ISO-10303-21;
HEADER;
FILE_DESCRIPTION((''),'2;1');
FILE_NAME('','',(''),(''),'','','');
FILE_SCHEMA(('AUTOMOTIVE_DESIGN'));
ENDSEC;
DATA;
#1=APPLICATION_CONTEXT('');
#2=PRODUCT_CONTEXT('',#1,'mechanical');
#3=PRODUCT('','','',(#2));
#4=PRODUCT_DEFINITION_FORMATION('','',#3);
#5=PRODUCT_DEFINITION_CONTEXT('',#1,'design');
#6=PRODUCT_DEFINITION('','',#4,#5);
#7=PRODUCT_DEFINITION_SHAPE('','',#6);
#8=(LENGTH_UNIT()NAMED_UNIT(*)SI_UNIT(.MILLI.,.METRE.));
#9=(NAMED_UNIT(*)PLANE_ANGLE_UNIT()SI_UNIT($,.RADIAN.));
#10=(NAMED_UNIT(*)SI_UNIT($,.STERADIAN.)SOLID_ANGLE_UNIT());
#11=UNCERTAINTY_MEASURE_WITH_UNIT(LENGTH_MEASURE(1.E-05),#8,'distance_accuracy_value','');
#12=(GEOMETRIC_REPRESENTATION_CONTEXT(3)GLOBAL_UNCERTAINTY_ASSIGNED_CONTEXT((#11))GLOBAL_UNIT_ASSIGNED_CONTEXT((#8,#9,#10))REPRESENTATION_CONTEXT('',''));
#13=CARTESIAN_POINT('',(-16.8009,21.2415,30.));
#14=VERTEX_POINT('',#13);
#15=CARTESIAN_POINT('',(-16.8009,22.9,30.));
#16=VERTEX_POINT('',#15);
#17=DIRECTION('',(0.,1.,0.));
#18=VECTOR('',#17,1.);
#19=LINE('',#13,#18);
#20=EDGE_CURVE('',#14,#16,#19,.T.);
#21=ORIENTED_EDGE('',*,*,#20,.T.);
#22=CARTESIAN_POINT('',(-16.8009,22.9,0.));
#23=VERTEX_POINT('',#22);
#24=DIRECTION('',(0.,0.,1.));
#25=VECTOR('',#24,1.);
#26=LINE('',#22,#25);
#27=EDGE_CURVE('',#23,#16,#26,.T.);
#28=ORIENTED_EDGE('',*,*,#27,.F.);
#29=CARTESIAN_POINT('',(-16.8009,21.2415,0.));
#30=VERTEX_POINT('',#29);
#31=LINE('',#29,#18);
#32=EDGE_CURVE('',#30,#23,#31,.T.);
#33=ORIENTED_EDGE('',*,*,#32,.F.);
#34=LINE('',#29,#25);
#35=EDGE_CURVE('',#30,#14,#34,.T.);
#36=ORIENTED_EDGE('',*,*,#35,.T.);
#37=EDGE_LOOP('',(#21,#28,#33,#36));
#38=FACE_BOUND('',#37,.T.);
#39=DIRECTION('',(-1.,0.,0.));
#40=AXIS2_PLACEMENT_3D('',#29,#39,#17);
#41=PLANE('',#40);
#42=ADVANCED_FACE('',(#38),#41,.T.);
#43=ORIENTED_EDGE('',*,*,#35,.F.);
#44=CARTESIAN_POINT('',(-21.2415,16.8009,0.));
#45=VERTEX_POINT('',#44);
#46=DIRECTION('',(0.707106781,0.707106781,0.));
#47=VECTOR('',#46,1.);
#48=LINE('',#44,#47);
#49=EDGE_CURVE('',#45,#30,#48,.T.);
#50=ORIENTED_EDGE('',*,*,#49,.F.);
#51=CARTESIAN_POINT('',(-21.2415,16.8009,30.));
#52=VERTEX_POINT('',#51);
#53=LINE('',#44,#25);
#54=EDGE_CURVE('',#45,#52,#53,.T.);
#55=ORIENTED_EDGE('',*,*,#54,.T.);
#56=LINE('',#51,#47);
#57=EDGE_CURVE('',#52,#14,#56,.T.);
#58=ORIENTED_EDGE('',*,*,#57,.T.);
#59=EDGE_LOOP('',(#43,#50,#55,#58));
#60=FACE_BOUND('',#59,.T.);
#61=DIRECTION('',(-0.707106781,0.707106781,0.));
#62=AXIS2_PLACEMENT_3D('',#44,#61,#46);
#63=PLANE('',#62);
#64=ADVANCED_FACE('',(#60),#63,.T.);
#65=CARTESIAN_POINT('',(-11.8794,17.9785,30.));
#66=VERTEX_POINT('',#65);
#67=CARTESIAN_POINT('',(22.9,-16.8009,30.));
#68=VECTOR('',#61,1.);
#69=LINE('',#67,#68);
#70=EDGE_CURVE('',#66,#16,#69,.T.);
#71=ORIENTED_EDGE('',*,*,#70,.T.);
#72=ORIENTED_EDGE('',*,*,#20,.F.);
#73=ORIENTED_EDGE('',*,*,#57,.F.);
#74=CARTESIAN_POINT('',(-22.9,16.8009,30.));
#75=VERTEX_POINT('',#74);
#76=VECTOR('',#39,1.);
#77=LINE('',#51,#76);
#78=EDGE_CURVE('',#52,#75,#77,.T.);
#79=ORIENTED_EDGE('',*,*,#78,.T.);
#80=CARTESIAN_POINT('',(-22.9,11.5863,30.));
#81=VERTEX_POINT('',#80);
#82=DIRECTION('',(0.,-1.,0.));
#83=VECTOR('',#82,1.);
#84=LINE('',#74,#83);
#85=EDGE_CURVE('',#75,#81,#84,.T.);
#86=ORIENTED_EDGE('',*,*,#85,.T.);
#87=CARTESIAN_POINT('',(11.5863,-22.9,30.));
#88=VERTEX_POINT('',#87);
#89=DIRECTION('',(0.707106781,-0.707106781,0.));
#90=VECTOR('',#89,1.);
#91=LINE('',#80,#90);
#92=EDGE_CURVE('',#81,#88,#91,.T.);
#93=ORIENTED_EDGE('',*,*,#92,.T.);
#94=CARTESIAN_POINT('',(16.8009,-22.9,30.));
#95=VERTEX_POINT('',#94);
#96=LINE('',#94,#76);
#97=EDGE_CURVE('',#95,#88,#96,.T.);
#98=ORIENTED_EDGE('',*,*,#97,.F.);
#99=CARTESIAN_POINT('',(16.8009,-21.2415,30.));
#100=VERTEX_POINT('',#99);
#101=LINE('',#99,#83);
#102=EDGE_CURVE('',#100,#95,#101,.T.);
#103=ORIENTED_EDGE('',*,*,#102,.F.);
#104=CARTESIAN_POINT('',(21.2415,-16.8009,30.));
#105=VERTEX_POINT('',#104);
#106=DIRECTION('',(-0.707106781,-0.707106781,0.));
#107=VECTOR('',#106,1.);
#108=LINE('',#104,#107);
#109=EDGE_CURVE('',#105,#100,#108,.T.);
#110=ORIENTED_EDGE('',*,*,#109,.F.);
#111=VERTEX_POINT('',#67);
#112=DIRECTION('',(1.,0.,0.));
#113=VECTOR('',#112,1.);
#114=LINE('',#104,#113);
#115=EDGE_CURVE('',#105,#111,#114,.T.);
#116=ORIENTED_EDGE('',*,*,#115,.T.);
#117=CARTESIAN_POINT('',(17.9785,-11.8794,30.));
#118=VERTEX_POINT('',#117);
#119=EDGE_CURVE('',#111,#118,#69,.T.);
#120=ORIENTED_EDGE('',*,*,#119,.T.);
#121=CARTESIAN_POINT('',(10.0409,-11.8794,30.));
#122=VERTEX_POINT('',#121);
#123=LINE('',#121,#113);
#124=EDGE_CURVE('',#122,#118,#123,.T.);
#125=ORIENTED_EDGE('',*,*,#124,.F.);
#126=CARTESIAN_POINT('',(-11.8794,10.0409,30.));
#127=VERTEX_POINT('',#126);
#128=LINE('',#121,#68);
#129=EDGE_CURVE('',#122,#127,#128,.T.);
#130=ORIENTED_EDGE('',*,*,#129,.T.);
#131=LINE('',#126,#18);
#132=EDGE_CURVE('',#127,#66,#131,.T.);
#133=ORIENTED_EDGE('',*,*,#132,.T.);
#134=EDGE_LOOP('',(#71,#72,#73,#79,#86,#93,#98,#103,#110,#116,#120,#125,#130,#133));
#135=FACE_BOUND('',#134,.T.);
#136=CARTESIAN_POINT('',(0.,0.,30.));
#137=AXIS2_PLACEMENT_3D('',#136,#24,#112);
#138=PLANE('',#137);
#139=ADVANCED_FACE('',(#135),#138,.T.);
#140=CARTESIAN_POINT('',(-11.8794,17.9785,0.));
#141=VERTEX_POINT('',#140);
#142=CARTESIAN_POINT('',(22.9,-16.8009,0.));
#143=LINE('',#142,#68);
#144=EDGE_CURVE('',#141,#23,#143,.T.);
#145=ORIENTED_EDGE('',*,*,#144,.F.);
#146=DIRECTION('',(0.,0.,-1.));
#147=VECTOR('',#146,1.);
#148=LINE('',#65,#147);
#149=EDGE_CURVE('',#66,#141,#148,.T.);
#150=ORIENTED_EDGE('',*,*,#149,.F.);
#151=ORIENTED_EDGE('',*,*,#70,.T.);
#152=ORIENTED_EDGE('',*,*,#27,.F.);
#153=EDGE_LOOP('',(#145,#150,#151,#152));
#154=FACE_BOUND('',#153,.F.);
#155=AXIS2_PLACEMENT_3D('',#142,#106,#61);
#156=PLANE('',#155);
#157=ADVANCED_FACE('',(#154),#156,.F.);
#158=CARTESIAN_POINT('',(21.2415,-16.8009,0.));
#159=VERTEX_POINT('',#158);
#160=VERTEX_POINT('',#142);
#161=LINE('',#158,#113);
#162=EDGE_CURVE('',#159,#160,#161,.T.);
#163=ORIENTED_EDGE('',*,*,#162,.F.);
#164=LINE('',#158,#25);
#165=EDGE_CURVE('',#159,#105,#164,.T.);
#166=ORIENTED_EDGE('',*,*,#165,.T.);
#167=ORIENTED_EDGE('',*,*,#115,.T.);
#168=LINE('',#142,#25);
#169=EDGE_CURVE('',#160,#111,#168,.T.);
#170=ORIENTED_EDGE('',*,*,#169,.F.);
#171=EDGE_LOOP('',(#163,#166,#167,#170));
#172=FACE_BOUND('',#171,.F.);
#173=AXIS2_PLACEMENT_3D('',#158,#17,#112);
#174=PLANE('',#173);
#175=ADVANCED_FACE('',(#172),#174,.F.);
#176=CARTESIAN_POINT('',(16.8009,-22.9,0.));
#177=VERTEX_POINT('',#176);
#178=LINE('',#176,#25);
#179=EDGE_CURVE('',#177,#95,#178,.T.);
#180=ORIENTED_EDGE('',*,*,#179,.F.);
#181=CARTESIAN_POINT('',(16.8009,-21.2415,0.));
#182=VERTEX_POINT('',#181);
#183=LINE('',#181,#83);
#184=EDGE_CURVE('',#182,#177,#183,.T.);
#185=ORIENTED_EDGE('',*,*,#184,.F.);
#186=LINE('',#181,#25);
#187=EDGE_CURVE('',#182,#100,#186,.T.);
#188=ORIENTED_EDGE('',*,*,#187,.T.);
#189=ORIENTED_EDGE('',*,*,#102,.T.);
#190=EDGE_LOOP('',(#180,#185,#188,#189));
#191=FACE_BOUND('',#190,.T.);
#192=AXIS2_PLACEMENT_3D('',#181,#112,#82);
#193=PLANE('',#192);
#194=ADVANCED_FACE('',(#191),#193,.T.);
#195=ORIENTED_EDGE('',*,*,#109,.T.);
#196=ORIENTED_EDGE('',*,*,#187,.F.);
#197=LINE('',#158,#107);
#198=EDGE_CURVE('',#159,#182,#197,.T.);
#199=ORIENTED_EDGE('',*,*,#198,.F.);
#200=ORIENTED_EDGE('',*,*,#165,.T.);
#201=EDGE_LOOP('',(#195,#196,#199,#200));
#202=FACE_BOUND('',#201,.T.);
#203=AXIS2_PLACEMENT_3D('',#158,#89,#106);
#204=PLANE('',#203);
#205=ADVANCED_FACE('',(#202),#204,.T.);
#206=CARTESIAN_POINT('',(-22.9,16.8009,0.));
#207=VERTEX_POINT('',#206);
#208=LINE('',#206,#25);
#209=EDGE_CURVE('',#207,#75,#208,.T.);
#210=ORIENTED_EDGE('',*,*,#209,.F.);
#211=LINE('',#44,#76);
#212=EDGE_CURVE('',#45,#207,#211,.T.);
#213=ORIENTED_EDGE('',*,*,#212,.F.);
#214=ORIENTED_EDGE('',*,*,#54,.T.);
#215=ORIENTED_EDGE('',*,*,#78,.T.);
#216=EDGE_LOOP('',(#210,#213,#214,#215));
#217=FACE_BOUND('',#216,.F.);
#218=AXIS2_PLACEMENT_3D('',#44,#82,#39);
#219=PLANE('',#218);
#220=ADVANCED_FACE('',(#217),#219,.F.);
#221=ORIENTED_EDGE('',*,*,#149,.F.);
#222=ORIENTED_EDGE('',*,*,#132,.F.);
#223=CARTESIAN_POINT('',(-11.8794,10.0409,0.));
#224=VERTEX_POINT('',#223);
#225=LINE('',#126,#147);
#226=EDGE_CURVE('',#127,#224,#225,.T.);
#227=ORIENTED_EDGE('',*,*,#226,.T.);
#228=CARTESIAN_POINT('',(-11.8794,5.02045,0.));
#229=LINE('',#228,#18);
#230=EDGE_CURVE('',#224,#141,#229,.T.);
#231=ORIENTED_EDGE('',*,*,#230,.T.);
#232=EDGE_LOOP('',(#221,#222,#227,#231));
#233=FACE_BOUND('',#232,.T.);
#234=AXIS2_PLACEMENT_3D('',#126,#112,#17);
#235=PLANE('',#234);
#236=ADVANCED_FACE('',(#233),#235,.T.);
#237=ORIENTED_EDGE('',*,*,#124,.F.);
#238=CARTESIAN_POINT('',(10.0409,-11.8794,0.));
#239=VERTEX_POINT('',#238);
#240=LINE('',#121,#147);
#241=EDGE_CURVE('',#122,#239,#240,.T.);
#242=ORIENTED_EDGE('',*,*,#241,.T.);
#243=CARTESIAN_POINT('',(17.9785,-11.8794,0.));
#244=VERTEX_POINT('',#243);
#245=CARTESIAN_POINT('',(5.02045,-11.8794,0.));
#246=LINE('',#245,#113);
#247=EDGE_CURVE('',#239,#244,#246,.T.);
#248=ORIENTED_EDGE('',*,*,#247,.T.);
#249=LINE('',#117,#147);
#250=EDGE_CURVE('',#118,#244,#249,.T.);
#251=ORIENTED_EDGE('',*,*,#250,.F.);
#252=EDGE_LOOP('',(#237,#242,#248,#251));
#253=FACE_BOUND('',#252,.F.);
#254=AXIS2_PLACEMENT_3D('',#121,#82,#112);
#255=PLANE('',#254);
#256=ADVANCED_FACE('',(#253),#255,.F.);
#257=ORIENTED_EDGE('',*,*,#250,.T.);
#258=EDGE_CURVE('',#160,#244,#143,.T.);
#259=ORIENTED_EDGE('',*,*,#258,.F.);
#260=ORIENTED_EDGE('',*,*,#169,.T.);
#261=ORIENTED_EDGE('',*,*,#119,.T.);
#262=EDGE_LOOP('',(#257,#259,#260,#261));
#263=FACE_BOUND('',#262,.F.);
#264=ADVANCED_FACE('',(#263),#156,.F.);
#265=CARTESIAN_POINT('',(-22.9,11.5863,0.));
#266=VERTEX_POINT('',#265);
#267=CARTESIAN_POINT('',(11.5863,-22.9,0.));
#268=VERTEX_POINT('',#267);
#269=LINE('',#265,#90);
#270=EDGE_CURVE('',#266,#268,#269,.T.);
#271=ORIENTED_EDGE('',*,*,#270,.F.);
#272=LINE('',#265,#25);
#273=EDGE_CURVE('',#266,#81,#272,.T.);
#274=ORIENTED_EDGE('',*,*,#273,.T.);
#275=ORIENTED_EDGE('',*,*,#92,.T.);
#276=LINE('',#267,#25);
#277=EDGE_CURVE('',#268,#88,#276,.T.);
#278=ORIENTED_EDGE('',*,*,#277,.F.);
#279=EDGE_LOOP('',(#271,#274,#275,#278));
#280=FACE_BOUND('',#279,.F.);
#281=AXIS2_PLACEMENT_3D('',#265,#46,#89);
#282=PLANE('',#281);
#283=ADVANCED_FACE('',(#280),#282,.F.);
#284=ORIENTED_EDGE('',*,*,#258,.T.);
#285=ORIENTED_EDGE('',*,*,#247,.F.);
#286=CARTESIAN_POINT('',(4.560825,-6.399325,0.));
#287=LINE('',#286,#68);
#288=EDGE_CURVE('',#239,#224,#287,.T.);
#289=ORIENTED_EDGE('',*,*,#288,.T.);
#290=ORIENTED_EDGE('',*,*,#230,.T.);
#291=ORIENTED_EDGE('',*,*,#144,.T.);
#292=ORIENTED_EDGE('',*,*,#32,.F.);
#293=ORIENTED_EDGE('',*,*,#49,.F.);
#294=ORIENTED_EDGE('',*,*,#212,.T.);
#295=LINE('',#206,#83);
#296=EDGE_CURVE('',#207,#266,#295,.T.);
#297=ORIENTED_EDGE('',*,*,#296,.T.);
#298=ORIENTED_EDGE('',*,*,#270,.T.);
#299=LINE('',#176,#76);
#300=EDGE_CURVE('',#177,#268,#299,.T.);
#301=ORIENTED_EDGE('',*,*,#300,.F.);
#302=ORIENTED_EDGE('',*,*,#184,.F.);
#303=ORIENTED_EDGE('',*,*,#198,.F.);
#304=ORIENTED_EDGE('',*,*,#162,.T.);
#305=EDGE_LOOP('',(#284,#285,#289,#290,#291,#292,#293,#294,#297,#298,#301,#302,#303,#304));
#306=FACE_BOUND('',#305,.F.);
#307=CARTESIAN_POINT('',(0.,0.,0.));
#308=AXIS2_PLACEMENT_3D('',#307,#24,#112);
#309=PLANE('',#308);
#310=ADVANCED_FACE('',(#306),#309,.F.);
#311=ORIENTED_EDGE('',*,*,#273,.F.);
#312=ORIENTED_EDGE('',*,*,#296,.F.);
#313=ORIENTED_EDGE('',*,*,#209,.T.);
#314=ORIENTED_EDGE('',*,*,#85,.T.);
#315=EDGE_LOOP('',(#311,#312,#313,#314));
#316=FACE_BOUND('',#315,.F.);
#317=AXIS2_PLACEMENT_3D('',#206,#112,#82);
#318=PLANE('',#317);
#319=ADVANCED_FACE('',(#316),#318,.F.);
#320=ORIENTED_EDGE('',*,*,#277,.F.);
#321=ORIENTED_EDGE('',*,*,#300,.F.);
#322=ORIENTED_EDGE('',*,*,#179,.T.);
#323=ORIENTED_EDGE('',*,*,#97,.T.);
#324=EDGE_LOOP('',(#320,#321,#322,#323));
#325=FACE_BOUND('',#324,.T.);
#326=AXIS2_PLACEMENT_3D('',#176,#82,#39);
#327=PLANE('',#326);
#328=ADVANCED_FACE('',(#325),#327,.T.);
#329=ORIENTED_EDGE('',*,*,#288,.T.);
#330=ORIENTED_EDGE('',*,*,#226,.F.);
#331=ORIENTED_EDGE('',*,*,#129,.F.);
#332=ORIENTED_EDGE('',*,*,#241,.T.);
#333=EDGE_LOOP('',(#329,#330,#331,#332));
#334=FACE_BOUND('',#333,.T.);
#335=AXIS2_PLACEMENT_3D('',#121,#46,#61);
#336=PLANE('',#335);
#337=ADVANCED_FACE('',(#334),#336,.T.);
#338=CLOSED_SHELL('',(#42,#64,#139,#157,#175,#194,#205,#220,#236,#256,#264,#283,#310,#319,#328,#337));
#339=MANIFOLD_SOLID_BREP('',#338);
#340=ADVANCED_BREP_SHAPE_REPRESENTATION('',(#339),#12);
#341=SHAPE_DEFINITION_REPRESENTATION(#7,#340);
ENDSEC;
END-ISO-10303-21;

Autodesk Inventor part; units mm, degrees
ref_plane "YZ Plane" through (0, 0, 0) normal (1, 0, 0) x (0, 1, 0)
ref_plane "XZ Plane" through (0, 0, 0) normal (0, 1, 0) x (-1, 0, 0)
ref_plane "XY Plane" through (0, 0, 0) normal (0, 0, 1) x (1, 0, 0)
sketch "Sketch1" plane through (0, 0, 0) normal (0, 0, 1) x (1, 0, 0)
  line L0 (-16.9, 21.4) -> (-16.9, 16.9) construction
  arc A0 (-22.9, 19.9) -> (-19.9, 22.9) centre (-19.9, 19.9) ccw construction
  line L1 (-16.9, 16.9) -> (16.9, 16.9) construction
  line L2 (16.9, 16.9) -> (16.9, -16.9) construction
  line L3 (16.9, -16.9) -> (-16.9, -16.9) construction
  line L4 (-16.9, -16.9) -> (-16.9, 16.9) construction
  arc A1 (22.9, -19.9) -> (19.9, -22.9) centre (19.9, -19.9) ccw construction
  line L5 (22.9, 19.9) -> (22.9, -19.9) construction
  arc A2 (19.9, 22.9) -> (22.9, 19.9) centre (19.9, 19.9) ccw construction
  line L6 (-19.9, 22.9) -> (19.9, 22.9) construction
  arc A3 (-22.9, 19.9) -> (-19.9, 22.9) centre (-19.9, 19.9) ccw construction
  line L7 (-22.9, -19.9) -> (-22.9, 19.9) construction
  arc A4 (-19.9, -22.9) -> (-22.9, -19.9) centre (-19.9, -19.9) ccw construction
  line L8 (19.9, -22.9) -> (-19.9, -22.9) construction
  line L9 (-21.4, 16.9) -> (-16.9, 16.9) construction
  line L10 (-16.9, -16.9) -> (-21.4, -16.9) construction
  line L11 (-16.9, -16.9) -> (-16.9, -21.4) construction
  line L12 (16.9, -21.4) -> (16.9, -16.9) construction
  line L13 (21.4, -16.9) -> (16.9, -16.9) construction
  line L14 (16.9, 16.9) -> (21.4, 16.9) construction
  line L15 (16.9, 16.9) -> (16.9, 21.4) construction
  line L16 (-16.8009, 21.2415) -> (21.2415, -16.8009)
  line L17 (21.2415, -16.8009) -> (16.8009, -21.2415)
  line L18 (16.8009, -21.2415) -> (-21.2415, 16.8009)
  line L19 (-21.2415, 16.8009) -> (-16.8009, 21.2415)
  line L20 (-16.8009, 21.2415) -> (16.8009, -21.2415) construction
  line L21 (21.2415, -16.8009) -> (-21.2415, 16.8009) construction
  line L22 (-16.8009, 21.2415) -> (36.9991, 21.2415) construction
  line L23 (-21.2415, 16.8009) -> (-22.9, 16.8009)
  line L24 (16.8009, -21.2415) -> (16.8009, -22.9)
  line L25 (16.8009, -22.9) -> (-22.9, 16.8009)
  line L26 (-16.8009, 21.2415) -> (-16.8009, 22.9)
  line L27 (21.2415, -16.8009) -> (22.9, -16.8009)
  line L28 (22.9, -16.8009) -> (-16.8009, 22.9)
  line L29 (-22.9, 16.8009) -> (-22.9, 11.5863)
  line L30 (16.8009, -22.9) -> (11.5863, -22.9)
  line L31 (-22.9, 11.5863) -> (11.5863, -22.9)
  point P0 (0, 0)
  dimension "d0" = 53.8
  dimension "d1" = 45
  dimension "d2" = 6.28
  dimension "d5" = 8
extrude "Extrusion1" add sketch "Sketch1" along normal blind 30
ref_plane "Work Plane1" through (16.9, -16.9, -8) normal (-0.7071, -0.7071, 0) x (0, 0, 1)
sketch "Sketch7" plane through (0, 0, 30) normal (0, 0, 1) x (1, 0, 0)
  line L0 (21.2415, -16.8009) -> (22.9, -16.8009) projected
  line L1 (22.9, -16.8009) -> (-16.8009, 22.9) projected
  line L2 (-16.8009, 22.9) -> (-16.8009, 21.2415) projected
  line L3 (-16.8009, 21.2415) -> (-21.2415, 16.8009) projected
  line L4 (-21.2415, 16.8009) -> (-22.9, 16.8009) projected
  line L5 (-22.9, 16.8009) -> (-22.9, 11.5863) projected
  line L6 (-22.9, 11.5863) -> (11.5863, -22.9) projected
  line L7 (11.5863, -22.9) -> (16.8009, -22.9) projected
  line L8 (16.8009, -22.9) -> (16.8009, -21.2415) projected
  line L9 (16.8009, -21.2415) -> (21.2415, -16.8009) projected
  line L10 (3.0496, 3.0496) -> (-5.6569, -5.6569)
  line L11 (-22.9, 11.5863) -> (11.5863, -22.9) projected
  line L12 (17.9785, -3.9418) -> (10.0409, -11.8794)
  line L13 (10.0409, -11.8794) -> (-11.8794, 10.0409)
  line L14 (-11.8794, 10.0409) -> (-3.9418, 17.9785)
  line L15 (-3.9418, 17.9785) -> (17.9785, -3.9418)
  line L16 (17.9785, -3.9418) -> (-11.8794, 10.0409) construction
  line L17 (10.0409, -11.8794) -> (-3.9418, 17.9785) construction
  line L18 (-11.8794, 10.0409) -> (-11.8794, 17.9785)
  line L19 (22.9, -16.8009) -> (-16.8009, 22.9) projected
  line L20 (10.0409, -11.8794) -> (17.9785, -11.8794)
  point P0 (0, 0)
  dimension "d28" = 31
  dimension "d29" = 1.3
extrude "Extrusion7" cut sketch "Sketch7" against normal through all contours L20 L12 L1 | L12 L13 L10 L1 | L1 L14 L15 L12 | L10 L13 L14 L1 | L14 L18 L1
equation "\"d3\" = MirrorThickness1"
equation "\"MirrorThickness1\" = 30"
properties part number "20_Cube_Insert_Mirror_Holder_v2"
